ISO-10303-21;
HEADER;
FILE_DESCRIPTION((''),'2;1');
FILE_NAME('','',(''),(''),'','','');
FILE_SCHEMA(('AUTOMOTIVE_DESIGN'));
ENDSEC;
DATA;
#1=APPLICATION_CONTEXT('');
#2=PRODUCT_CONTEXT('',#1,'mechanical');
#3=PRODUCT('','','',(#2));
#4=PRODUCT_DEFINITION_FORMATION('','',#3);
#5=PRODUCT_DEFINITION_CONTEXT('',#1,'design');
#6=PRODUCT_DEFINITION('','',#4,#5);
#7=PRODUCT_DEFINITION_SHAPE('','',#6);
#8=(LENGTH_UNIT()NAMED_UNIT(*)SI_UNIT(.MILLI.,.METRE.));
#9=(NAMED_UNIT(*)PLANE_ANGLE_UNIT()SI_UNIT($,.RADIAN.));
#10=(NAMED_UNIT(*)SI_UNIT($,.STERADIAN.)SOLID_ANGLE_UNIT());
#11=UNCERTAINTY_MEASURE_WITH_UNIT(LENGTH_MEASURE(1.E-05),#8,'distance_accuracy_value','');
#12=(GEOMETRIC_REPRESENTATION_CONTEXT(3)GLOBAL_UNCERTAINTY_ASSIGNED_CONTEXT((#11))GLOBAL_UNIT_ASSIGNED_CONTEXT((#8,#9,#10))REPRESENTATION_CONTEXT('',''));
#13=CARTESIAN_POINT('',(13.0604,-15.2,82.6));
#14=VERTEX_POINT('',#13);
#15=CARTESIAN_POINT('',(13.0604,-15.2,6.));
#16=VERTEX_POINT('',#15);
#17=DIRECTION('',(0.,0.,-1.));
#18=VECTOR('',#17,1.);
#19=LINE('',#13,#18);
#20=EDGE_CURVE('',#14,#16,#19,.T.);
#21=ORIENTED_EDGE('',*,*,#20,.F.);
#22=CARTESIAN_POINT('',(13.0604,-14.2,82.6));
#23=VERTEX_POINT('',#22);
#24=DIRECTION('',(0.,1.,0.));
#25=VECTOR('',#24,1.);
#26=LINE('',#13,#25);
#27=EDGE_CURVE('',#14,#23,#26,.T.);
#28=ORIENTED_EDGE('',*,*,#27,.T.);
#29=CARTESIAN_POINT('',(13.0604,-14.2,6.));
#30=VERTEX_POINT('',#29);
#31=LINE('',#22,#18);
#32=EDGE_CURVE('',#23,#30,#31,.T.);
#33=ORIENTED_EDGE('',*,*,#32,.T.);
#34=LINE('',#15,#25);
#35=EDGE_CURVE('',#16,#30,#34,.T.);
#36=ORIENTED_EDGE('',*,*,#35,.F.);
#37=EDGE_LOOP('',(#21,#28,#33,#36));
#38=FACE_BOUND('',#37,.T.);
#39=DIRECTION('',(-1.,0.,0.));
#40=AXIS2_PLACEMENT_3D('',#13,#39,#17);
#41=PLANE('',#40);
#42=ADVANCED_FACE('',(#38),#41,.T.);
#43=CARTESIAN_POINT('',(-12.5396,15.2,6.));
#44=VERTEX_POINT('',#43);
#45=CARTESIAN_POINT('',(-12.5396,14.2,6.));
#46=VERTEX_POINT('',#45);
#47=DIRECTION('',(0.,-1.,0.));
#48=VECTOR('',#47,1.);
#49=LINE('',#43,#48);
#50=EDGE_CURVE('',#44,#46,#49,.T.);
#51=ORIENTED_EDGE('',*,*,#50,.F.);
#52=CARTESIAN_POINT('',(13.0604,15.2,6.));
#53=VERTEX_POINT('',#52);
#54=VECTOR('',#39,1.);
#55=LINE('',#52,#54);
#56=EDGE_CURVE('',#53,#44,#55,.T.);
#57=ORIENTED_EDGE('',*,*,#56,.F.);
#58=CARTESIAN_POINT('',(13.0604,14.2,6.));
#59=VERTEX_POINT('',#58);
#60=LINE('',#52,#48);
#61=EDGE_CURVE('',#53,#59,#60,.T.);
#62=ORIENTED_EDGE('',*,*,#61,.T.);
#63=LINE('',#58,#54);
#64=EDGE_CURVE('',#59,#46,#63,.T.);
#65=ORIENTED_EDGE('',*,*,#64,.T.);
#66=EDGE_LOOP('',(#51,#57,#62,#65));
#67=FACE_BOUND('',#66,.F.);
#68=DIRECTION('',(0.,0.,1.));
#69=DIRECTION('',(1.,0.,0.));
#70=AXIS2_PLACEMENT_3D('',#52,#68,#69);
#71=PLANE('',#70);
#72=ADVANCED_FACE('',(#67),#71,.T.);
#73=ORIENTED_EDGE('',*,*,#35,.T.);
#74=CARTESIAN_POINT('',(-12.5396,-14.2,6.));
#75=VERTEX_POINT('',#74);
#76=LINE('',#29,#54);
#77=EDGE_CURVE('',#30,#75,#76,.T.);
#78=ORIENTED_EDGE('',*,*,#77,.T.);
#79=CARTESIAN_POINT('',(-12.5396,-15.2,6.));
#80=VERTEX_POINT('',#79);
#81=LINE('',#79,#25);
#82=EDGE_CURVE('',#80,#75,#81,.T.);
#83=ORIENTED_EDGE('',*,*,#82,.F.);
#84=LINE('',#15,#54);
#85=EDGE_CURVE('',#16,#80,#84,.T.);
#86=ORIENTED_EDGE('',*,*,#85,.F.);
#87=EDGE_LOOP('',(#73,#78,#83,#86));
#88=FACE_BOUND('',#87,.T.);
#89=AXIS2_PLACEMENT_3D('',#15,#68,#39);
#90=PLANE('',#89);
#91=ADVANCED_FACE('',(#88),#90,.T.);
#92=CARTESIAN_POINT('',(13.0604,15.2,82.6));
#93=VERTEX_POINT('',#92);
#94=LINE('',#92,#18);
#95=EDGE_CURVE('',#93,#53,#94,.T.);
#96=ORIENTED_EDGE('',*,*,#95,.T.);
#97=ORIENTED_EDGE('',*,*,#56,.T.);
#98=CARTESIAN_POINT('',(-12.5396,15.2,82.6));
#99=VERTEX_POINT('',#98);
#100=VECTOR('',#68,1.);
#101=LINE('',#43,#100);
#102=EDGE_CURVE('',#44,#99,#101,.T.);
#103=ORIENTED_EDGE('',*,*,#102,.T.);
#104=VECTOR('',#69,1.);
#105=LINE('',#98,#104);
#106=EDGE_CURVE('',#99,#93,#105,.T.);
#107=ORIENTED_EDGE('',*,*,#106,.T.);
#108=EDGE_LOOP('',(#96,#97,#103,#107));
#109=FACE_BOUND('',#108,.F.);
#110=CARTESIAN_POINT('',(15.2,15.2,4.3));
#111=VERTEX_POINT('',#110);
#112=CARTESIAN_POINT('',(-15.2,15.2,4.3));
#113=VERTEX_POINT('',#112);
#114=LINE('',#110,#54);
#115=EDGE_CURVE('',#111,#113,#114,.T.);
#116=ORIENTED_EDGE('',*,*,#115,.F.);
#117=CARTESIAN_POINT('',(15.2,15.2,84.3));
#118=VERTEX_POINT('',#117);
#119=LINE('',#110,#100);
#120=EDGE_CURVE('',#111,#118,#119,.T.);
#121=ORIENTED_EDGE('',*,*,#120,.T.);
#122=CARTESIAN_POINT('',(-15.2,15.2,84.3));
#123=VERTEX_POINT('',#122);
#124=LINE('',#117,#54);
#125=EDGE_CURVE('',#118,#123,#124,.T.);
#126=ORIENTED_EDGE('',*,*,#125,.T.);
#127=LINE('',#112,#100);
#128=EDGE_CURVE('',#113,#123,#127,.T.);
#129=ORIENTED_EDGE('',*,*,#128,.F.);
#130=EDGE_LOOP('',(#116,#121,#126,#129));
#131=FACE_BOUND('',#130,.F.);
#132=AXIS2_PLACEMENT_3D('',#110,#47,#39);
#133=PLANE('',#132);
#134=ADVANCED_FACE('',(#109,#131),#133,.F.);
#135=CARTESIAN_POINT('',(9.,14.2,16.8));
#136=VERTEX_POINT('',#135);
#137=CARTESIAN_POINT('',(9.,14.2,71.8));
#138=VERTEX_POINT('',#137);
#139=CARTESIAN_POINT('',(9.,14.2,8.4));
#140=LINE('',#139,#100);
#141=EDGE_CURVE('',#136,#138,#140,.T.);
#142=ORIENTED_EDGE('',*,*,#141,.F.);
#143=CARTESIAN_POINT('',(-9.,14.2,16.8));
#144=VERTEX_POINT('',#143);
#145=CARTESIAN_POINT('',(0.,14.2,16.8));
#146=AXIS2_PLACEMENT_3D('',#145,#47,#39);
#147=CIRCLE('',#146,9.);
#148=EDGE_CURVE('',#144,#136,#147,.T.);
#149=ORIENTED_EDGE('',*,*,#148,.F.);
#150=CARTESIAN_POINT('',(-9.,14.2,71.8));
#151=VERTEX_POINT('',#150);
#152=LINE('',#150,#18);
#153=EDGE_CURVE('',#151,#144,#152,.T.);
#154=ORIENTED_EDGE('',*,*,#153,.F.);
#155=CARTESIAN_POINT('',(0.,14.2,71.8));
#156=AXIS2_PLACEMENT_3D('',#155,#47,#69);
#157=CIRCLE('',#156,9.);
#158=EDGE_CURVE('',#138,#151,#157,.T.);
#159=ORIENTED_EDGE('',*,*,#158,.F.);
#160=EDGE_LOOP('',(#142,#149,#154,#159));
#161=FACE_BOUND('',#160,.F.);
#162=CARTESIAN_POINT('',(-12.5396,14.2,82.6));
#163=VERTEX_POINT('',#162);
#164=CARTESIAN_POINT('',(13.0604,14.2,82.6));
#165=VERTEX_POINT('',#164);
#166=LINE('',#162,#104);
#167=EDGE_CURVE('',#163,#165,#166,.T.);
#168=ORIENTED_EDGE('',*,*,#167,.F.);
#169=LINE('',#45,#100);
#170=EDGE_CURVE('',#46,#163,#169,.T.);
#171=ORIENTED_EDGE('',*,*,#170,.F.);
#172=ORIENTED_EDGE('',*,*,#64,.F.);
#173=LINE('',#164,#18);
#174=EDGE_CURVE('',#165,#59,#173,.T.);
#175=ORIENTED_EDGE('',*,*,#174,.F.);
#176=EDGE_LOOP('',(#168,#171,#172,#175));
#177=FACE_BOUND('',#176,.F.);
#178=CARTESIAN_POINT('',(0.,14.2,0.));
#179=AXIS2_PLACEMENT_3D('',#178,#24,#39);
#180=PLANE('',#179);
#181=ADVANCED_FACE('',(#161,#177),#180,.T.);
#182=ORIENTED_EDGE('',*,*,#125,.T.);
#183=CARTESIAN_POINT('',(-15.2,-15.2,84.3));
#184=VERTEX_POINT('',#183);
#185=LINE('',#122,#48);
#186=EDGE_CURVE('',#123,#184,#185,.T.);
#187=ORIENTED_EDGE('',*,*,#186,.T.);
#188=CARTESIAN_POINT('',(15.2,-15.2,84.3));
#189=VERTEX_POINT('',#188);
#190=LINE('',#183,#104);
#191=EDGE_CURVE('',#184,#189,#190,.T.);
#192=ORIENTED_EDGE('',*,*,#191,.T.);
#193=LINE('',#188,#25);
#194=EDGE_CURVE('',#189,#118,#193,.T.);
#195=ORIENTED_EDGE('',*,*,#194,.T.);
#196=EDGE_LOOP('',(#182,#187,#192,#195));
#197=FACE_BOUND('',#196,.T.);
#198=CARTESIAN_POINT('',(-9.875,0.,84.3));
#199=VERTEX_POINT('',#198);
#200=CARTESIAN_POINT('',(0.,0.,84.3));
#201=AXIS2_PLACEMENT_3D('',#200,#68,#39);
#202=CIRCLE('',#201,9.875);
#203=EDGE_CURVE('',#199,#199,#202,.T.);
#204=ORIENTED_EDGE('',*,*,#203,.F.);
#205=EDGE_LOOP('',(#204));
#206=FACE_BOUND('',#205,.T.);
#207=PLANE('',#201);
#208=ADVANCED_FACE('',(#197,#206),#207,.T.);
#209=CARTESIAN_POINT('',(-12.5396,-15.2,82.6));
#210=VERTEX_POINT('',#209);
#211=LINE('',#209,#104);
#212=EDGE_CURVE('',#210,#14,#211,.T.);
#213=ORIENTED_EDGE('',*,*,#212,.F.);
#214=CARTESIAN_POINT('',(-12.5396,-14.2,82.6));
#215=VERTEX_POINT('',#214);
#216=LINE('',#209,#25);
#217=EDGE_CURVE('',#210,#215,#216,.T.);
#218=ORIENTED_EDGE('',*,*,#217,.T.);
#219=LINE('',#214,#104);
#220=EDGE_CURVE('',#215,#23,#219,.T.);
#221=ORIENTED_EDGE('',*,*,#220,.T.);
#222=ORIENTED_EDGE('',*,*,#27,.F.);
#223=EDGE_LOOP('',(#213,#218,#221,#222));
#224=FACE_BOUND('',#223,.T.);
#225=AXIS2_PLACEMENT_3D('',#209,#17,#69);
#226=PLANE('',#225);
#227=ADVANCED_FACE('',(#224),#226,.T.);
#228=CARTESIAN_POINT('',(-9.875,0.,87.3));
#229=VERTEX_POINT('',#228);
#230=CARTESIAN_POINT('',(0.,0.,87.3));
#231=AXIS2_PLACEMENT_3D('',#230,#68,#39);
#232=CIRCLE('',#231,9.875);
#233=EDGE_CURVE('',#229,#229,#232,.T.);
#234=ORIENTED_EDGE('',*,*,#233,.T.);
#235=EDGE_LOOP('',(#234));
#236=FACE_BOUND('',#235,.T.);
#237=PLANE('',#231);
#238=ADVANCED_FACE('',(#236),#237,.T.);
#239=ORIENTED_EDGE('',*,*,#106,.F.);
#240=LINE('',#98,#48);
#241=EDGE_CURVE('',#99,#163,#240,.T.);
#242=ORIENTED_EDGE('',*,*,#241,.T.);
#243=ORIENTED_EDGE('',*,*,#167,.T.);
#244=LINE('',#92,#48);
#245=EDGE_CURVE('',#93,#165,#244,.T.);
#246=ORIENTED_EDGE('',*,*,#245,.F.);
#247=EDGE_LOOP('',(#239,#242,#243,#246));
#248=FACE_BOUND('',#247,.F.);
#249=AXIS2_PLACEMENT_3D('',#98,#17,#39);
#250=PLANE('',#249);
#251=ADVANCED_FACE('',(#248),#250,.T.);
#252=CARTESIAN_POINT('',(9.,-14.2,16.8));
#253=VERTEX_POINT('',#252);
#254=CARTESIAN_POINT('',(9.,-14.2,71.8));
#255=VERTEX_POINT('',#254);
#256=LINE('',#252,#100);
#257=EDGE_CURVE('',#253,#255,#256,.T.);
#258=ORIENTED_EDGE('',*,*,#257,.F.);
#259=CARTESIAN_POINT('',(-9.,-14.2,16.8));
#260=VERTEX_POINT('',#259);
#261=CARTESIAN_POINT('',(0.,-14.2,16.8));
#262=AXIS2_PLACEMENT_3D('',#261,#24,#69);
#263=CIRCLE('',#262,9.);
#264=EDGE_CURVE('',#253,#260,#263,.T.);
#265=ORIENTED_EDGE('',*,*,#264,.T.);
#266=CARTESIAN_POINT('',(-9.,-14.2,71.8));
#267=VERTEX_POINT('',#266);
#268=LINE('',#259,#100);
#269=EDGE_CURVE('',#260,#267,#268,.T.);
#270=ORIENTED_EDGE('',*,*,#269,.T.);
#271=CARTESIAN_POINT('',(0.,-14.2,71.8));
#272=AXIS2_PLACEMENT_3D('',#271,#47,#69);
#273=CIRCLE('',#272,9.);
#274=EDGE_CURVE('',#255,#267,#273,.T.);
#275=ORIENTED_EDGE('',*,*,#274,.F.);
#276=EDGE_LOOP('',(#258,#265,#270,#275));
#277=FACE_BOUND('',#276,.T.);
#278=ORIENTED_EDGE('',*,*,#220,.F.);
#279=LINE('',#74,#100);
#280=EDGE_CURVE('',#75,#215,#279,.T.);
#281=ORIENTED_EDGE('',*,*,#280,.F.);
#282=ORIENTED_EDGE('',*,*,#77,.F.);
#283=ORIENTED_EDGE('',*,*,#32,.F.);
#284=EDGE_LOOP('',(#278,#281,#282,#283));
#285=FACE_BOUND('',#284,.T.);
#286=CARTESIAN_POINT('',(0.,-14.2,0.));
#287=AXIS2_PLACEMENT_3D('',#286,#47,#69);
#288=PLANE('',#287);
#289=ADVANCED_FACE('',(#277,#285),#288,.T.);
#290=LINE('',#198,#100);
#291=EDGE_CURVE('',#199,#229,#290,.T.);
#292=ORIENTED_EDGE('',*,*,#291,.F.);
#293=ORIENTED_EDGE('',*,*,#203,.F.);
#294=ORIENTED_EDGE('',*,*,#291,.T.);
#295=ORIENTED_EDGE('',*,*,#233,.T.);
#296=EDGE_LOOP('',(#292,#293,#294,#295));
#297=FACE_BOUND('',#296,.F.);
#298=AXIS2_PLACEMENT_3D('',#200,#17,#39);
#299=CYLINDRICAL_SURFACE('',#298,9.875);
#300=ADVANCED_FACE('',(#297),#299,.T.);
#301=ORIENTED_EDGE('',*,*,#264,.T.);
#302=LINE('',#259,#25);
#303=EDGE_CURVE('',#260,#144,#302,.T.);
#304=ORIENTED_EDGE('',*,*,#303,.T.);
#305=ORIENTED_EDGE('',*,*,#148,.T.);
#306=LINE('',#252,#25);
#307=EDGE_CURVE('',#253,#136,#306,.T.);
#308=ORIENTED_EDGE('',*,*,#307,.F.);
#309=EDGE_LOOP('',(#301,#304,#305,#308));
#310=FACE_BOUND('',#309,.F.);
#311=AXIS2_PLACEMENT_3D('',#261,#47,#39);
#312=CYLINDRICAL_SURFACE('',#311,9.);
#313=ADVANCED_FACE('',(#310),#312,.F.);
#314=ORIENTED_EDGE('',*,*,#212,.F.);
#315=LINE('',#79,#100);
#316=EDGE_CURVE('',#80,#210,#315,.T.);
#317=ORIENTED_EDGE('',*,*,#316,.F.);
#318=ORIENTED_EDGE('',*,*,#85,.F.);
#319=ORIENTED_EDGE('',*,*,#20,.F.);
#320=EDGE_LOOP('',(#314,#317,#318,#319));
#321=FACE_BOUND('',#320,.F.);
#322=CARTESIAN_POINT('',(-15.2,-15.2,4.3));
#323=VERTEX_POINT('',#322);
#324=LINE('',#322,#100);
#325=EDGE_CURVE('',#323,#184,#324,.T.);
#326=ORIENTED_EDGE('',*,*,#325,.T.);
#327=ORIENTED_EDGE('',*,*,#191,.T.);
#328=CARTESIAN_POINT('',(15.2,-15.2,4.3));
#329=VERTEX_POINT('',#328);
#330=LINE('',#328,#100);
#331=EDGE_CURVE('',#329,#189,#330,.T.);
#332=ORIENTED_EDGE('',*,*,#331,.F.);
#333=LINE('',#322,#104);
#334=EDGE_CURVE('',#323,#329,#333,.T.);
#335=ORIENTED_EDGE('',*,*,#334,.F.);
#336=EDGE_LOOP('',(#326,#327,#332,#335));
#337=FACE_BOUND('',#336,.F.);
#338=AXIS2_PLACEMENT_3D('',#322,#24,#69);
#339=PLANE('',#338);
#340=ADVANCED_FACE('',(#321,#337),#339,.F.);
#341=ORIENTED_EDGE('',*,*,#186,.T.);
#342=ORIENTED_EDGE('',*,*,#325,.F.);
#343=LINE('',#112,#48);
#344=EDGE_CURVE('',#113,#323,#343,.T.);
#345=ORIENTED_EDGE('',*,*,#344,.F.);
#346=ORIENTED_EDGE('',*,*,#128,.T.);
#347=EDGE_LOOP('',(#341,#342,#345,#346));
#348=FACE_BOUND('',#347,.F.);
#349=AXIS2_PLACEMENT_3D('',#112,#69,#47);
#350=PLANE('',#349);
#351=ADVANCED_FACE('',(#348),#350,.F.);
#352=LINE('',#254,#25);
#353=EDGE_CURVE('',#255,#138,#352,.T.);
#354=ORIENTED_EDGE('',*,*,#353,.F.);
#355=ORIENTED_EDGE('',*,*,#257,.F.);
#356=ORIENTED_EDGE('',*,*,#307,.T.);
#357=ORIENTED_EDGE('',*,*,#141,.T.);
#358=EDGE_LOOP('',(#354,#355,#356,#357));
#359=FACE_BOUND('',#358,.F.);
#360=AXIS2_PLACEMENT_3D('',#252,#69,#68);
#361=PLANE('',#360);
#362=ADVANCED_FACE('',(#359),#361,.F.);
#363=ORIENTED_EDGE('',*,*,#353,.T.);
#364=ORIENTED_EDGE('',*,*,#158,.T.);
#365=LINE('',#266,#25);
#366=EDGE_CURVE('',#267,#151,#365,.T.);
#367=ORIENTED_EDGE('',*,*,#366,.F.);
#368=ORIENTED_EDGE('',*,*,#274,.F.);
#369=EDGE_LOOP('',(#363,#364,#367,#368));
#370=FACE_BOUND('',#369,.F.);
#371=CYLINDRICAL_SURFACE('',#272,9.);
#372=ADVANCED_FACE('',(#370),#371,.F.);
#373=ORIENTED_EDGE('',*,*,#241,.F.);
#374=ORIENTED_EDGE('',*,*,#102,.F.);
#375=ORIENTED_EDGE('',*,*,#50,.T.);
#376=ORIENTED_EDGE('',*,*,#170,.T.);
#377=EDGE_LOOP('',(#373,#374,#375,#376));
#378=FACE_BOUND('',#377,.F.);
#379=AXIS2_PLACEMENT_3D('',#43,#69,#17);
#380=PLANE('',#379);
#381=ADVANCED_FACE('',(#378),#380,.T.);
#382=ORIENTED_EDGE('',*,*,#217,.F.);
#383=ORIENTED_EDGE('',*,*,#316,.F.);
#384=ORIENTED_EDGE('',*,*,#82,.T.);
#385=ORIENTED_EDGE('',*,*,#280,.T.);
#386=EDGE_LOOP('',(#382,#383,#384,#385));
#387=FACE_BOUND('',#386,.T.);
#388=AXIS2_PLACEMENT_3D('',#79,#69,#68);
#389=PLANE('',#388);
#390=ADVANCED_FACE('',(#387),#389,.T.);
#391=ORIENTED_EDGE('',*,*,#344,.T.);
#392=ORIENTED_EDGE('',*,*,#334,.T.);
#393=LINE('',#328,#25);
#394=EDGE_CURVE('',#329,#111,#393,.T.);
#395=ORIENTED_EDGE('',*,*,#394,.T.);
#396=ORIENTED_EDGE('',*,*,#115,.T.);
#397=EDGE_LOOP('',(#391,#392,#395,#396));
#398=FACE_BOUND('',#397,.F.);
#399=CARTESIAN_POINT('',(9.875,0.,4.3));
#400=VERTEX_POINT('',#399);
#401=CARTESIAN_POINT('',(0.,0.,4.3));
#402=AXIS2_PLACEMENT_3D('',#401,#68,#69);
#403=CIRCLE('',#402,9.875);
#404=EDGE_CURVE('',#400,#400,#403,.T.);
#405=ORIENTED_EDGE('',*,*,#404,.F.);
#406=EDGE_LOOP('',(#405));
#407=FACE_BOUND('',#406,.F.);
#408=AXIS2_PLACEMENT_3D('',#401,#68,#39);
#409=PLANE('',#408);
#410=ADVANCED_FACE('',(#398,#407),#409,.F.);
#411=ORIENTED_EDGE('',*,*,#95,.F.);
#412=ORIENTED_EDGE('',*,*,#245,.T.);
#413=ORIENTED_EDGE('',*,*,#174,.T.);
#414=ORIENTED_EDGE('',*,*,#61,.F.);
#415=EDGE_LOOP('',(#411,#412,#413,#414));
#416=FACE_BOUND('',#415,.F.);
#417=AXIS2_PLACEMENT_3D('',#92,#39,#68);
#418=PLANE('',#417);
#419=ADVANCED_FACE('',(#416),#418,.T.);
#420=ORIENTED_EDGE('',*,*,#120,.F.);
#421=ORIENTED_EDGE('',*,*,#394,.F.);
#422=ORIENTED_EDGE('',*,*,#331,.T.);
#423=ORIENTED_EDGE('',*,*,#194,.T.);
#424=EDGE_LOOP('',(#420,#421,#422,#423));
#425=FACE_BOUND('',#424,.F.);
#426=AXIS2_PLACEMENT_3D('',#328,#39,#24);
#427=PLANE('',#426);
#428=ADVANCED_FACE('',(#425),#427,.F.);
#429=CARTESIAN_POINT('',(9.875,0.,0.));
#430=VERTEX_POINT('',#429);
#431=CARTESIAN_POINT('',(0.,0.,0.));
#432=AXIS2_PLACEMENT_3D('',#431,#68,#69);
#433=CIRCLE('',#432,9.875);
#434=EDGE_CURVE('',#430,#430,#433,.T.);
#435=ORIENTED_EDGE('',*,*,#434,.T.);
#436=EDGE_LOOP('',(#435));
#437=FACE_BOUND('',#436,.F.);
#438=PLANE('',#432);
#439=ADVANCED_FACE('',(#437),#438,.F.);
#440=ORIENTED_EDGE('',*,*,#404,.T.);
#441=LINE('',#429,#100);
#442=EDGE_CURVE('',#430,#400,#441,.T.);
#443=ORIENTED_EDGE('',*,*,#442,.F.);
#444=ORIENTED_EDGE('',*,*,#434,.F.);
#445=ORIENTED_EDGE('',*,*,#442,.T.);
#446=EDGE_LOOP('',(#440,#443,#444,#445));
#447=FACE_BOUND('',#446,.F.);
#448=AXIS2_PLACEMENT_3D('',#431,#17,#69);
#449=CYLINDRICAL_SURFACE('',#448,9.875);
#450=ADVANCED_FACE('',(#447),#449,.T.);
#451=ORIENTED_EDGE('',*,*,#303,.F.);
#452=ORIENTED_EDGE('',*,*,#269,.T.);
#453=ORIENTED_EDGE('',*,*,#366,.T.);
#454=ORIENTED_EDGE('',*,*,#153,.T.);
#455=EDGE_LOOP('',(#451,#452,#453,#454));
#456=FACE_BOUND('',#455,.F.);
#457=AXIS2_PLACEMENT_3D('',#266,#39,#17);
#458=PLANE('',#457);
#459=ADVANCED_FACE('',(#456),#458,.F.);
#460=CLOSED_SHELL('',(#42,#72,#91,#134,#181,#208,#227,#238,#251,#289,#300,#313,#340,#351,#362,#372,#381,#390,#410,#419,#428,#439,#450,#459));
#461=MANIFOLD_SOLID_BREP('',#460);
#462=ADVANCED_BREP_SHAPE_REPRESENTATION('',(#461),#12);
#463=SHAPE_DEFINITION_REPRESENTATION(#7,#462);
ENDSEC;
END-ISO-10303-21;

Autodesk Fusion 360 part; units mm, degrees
sketch "Sketch1" plane through (0, 0, 0) normal (0, 0, 1) x (1, 0, 0) in component "flow cell"
  circle A0 centre (0, 0) radius 9.875
  dimension "d1" = 19.75
extrude "Extrude1" add sketch "Sketch1" along normal blind 4.3 in component "flow cell"
sketch "Sketch2" plane through (0, 0, 4.3) normal (0, 0, 1) x (-1, 0, 0) in component "flow cell"
  circle A0 centre (0, 0) radius 9.875
  line L0 (12.7, 12.7) -> (-12.7, 12.7)
  line L1 (-12.7, 12.7) -> (-12.7, -12.7)
  line L2 (-12.7, -12.7) -> (12.7, -12.7)
  line L3 (12.7, -12.7) -> (12.7, 12.7)
  line L4 (12.7, 12.7) -> (-12.7, -12.7) construction
  line L5 (-12.7, 12.7) -> (12.7, -12.7) construction
  line L6 (13.7, 13.7) -> (-13.7, 13.7)
  line L7 (-13.7, 13.7) -> (-13.7, -13.7)
  line L8 (-13.7, -13.7) -> (13.7, -13.7)
  line L9 (13.7, -13.7) -> (13.7, 13.7)
  line L10 (15.2, 15.2) -> (-15.2, 15.2)
  line L11 (-15.2, 15.2) -> (-15.2, -15.2)
  line L12 (-15.2, -15.2) -> (15.2, -15.2)
  line L13 (15.2, -15.2) -> (15.2, 15.2)
  dimension "d4" = 25.4
  dimension "d5" = 25.4
  dimension "d6" = 1
  dimension "d7" = 2.5
extrude "Extrude2" add sketch "Sketch2" along normal blind 80 contours A0 | L0 L1 L2 L3 | L6 L7 L8 L9 | L10 L11 L12 L13 in component "flow cell"
sketch "Sketch3" plane through (0, 0, 84.3) normal (0, 0, 1) x (-1, 0, 0) in component "flow cell"
  line L0 (15.2, -15.2) -> (15.2, 15.2)
  line L1 (15.2, 15.2) -> (-15.2, 15.2)
  line L2 (-15.2, 15.2) -> (-15.2, -15.2)
  line L3 (-15.2, -15.2) -> (15.2, -15.2)
  circle A0 centre (0, 0) radius 9.875
  dimension "d10" = 19.75
extrude "Extrude3" add sketch "Sketch3" along normal blind 3 contours A0 in component "flow cell"
sketch "Sketch4" plane through (0, -15.2, 0) normal (0, -1, 0) x (1, 0, 0) in component "flow cell"
  line L0 (-15.2, 4.3) -> (15.2, 4.3)
  line L1 (15.2, 4.3) -> (15.2, 84.3)
  line L2 (15.2, 84.3) -> (-15.2, 84.3)
  line L3 (-15.2, 84.3) -> (-15.2, 4.3)
  line L4 (13.0604, 6) -> (-12.5396, 6)
  line L5 (-12.5396, 6) -> (-12.5396, 82.6)
  line L6 (-12.5396, 82.6) -> (13.0604, 82.6)
  line L7 (13.0604, 82.6) -> (13.0604, 6)
  line L8 (13.0604, 6) -> (-12.5396, 82.6) construction
  line L9 (-12.5396, 6) -> (13.0604, 82.6) construction
  line L10 (0.2604, 44.3) -> (-15.2, 44.3) construction
  point P0 (0.2604, 44.3)
  dimension "d13" = 25.6
  dimension "d14" = 76.6
extrude "Extrude4" cut sketch "Sketch4" against normal blind 1 contours L4 L5 L6 L7 in component "flow cell"
ref_plane "WorkPlane1" through (0, 0, 44.3) normal (0, -1, 0) x (1, 0, 0) in component "flow cell"
mirror "Mirror1" about plane through (0, 0, 44.3) normal (0, -1, 0) of "Extrude4" in component "flow cell"
sketch "Sketch5" plane through (0, -14.2, 0) normal (0, -1, 0) x (1, 0, 0) in component "flow cell"
  line L0 (13.0604, 82.6) -> (-12.5396, 82.6)
  line L1 (-12.5396, 82.6) -> (-12.5396, 6)
  line L2 (-12.5396, 6) -> (13.0604, 6)
  line L3 (13.0604, 6) -> (13.0604, 82.6)
  line L4 (-9, 71.8) -> (-9, 16.8)
  arc A0 (-9, 16.8) -> (9, 16.8) centre (0, 16.8) ccw
  line L5 (9, 16.8) -> (9, 71.8)
  arc A1 (9, 71.8) -> (-9, 71.8) centre (0, 71.8) ccw
  line L6 (0, 71.8) -> (0, 16.8) construction
  line L7 (-12.5396, 44.3) -> (0, 44.3)
  line L8 (0, 1.75) -> (0, 22.5)
  dimension "d19" = 55
  dimension "d20" = 18
extrude "Extrude5" cut sketch "Sketch5" against normal through all contours L4 A0 L5 A1 in component "flow cell"
component "flow cell" placed x (1, 0, 0) y (0, 1, 0) z (0, 0, 1) at (0, 0, 0)
